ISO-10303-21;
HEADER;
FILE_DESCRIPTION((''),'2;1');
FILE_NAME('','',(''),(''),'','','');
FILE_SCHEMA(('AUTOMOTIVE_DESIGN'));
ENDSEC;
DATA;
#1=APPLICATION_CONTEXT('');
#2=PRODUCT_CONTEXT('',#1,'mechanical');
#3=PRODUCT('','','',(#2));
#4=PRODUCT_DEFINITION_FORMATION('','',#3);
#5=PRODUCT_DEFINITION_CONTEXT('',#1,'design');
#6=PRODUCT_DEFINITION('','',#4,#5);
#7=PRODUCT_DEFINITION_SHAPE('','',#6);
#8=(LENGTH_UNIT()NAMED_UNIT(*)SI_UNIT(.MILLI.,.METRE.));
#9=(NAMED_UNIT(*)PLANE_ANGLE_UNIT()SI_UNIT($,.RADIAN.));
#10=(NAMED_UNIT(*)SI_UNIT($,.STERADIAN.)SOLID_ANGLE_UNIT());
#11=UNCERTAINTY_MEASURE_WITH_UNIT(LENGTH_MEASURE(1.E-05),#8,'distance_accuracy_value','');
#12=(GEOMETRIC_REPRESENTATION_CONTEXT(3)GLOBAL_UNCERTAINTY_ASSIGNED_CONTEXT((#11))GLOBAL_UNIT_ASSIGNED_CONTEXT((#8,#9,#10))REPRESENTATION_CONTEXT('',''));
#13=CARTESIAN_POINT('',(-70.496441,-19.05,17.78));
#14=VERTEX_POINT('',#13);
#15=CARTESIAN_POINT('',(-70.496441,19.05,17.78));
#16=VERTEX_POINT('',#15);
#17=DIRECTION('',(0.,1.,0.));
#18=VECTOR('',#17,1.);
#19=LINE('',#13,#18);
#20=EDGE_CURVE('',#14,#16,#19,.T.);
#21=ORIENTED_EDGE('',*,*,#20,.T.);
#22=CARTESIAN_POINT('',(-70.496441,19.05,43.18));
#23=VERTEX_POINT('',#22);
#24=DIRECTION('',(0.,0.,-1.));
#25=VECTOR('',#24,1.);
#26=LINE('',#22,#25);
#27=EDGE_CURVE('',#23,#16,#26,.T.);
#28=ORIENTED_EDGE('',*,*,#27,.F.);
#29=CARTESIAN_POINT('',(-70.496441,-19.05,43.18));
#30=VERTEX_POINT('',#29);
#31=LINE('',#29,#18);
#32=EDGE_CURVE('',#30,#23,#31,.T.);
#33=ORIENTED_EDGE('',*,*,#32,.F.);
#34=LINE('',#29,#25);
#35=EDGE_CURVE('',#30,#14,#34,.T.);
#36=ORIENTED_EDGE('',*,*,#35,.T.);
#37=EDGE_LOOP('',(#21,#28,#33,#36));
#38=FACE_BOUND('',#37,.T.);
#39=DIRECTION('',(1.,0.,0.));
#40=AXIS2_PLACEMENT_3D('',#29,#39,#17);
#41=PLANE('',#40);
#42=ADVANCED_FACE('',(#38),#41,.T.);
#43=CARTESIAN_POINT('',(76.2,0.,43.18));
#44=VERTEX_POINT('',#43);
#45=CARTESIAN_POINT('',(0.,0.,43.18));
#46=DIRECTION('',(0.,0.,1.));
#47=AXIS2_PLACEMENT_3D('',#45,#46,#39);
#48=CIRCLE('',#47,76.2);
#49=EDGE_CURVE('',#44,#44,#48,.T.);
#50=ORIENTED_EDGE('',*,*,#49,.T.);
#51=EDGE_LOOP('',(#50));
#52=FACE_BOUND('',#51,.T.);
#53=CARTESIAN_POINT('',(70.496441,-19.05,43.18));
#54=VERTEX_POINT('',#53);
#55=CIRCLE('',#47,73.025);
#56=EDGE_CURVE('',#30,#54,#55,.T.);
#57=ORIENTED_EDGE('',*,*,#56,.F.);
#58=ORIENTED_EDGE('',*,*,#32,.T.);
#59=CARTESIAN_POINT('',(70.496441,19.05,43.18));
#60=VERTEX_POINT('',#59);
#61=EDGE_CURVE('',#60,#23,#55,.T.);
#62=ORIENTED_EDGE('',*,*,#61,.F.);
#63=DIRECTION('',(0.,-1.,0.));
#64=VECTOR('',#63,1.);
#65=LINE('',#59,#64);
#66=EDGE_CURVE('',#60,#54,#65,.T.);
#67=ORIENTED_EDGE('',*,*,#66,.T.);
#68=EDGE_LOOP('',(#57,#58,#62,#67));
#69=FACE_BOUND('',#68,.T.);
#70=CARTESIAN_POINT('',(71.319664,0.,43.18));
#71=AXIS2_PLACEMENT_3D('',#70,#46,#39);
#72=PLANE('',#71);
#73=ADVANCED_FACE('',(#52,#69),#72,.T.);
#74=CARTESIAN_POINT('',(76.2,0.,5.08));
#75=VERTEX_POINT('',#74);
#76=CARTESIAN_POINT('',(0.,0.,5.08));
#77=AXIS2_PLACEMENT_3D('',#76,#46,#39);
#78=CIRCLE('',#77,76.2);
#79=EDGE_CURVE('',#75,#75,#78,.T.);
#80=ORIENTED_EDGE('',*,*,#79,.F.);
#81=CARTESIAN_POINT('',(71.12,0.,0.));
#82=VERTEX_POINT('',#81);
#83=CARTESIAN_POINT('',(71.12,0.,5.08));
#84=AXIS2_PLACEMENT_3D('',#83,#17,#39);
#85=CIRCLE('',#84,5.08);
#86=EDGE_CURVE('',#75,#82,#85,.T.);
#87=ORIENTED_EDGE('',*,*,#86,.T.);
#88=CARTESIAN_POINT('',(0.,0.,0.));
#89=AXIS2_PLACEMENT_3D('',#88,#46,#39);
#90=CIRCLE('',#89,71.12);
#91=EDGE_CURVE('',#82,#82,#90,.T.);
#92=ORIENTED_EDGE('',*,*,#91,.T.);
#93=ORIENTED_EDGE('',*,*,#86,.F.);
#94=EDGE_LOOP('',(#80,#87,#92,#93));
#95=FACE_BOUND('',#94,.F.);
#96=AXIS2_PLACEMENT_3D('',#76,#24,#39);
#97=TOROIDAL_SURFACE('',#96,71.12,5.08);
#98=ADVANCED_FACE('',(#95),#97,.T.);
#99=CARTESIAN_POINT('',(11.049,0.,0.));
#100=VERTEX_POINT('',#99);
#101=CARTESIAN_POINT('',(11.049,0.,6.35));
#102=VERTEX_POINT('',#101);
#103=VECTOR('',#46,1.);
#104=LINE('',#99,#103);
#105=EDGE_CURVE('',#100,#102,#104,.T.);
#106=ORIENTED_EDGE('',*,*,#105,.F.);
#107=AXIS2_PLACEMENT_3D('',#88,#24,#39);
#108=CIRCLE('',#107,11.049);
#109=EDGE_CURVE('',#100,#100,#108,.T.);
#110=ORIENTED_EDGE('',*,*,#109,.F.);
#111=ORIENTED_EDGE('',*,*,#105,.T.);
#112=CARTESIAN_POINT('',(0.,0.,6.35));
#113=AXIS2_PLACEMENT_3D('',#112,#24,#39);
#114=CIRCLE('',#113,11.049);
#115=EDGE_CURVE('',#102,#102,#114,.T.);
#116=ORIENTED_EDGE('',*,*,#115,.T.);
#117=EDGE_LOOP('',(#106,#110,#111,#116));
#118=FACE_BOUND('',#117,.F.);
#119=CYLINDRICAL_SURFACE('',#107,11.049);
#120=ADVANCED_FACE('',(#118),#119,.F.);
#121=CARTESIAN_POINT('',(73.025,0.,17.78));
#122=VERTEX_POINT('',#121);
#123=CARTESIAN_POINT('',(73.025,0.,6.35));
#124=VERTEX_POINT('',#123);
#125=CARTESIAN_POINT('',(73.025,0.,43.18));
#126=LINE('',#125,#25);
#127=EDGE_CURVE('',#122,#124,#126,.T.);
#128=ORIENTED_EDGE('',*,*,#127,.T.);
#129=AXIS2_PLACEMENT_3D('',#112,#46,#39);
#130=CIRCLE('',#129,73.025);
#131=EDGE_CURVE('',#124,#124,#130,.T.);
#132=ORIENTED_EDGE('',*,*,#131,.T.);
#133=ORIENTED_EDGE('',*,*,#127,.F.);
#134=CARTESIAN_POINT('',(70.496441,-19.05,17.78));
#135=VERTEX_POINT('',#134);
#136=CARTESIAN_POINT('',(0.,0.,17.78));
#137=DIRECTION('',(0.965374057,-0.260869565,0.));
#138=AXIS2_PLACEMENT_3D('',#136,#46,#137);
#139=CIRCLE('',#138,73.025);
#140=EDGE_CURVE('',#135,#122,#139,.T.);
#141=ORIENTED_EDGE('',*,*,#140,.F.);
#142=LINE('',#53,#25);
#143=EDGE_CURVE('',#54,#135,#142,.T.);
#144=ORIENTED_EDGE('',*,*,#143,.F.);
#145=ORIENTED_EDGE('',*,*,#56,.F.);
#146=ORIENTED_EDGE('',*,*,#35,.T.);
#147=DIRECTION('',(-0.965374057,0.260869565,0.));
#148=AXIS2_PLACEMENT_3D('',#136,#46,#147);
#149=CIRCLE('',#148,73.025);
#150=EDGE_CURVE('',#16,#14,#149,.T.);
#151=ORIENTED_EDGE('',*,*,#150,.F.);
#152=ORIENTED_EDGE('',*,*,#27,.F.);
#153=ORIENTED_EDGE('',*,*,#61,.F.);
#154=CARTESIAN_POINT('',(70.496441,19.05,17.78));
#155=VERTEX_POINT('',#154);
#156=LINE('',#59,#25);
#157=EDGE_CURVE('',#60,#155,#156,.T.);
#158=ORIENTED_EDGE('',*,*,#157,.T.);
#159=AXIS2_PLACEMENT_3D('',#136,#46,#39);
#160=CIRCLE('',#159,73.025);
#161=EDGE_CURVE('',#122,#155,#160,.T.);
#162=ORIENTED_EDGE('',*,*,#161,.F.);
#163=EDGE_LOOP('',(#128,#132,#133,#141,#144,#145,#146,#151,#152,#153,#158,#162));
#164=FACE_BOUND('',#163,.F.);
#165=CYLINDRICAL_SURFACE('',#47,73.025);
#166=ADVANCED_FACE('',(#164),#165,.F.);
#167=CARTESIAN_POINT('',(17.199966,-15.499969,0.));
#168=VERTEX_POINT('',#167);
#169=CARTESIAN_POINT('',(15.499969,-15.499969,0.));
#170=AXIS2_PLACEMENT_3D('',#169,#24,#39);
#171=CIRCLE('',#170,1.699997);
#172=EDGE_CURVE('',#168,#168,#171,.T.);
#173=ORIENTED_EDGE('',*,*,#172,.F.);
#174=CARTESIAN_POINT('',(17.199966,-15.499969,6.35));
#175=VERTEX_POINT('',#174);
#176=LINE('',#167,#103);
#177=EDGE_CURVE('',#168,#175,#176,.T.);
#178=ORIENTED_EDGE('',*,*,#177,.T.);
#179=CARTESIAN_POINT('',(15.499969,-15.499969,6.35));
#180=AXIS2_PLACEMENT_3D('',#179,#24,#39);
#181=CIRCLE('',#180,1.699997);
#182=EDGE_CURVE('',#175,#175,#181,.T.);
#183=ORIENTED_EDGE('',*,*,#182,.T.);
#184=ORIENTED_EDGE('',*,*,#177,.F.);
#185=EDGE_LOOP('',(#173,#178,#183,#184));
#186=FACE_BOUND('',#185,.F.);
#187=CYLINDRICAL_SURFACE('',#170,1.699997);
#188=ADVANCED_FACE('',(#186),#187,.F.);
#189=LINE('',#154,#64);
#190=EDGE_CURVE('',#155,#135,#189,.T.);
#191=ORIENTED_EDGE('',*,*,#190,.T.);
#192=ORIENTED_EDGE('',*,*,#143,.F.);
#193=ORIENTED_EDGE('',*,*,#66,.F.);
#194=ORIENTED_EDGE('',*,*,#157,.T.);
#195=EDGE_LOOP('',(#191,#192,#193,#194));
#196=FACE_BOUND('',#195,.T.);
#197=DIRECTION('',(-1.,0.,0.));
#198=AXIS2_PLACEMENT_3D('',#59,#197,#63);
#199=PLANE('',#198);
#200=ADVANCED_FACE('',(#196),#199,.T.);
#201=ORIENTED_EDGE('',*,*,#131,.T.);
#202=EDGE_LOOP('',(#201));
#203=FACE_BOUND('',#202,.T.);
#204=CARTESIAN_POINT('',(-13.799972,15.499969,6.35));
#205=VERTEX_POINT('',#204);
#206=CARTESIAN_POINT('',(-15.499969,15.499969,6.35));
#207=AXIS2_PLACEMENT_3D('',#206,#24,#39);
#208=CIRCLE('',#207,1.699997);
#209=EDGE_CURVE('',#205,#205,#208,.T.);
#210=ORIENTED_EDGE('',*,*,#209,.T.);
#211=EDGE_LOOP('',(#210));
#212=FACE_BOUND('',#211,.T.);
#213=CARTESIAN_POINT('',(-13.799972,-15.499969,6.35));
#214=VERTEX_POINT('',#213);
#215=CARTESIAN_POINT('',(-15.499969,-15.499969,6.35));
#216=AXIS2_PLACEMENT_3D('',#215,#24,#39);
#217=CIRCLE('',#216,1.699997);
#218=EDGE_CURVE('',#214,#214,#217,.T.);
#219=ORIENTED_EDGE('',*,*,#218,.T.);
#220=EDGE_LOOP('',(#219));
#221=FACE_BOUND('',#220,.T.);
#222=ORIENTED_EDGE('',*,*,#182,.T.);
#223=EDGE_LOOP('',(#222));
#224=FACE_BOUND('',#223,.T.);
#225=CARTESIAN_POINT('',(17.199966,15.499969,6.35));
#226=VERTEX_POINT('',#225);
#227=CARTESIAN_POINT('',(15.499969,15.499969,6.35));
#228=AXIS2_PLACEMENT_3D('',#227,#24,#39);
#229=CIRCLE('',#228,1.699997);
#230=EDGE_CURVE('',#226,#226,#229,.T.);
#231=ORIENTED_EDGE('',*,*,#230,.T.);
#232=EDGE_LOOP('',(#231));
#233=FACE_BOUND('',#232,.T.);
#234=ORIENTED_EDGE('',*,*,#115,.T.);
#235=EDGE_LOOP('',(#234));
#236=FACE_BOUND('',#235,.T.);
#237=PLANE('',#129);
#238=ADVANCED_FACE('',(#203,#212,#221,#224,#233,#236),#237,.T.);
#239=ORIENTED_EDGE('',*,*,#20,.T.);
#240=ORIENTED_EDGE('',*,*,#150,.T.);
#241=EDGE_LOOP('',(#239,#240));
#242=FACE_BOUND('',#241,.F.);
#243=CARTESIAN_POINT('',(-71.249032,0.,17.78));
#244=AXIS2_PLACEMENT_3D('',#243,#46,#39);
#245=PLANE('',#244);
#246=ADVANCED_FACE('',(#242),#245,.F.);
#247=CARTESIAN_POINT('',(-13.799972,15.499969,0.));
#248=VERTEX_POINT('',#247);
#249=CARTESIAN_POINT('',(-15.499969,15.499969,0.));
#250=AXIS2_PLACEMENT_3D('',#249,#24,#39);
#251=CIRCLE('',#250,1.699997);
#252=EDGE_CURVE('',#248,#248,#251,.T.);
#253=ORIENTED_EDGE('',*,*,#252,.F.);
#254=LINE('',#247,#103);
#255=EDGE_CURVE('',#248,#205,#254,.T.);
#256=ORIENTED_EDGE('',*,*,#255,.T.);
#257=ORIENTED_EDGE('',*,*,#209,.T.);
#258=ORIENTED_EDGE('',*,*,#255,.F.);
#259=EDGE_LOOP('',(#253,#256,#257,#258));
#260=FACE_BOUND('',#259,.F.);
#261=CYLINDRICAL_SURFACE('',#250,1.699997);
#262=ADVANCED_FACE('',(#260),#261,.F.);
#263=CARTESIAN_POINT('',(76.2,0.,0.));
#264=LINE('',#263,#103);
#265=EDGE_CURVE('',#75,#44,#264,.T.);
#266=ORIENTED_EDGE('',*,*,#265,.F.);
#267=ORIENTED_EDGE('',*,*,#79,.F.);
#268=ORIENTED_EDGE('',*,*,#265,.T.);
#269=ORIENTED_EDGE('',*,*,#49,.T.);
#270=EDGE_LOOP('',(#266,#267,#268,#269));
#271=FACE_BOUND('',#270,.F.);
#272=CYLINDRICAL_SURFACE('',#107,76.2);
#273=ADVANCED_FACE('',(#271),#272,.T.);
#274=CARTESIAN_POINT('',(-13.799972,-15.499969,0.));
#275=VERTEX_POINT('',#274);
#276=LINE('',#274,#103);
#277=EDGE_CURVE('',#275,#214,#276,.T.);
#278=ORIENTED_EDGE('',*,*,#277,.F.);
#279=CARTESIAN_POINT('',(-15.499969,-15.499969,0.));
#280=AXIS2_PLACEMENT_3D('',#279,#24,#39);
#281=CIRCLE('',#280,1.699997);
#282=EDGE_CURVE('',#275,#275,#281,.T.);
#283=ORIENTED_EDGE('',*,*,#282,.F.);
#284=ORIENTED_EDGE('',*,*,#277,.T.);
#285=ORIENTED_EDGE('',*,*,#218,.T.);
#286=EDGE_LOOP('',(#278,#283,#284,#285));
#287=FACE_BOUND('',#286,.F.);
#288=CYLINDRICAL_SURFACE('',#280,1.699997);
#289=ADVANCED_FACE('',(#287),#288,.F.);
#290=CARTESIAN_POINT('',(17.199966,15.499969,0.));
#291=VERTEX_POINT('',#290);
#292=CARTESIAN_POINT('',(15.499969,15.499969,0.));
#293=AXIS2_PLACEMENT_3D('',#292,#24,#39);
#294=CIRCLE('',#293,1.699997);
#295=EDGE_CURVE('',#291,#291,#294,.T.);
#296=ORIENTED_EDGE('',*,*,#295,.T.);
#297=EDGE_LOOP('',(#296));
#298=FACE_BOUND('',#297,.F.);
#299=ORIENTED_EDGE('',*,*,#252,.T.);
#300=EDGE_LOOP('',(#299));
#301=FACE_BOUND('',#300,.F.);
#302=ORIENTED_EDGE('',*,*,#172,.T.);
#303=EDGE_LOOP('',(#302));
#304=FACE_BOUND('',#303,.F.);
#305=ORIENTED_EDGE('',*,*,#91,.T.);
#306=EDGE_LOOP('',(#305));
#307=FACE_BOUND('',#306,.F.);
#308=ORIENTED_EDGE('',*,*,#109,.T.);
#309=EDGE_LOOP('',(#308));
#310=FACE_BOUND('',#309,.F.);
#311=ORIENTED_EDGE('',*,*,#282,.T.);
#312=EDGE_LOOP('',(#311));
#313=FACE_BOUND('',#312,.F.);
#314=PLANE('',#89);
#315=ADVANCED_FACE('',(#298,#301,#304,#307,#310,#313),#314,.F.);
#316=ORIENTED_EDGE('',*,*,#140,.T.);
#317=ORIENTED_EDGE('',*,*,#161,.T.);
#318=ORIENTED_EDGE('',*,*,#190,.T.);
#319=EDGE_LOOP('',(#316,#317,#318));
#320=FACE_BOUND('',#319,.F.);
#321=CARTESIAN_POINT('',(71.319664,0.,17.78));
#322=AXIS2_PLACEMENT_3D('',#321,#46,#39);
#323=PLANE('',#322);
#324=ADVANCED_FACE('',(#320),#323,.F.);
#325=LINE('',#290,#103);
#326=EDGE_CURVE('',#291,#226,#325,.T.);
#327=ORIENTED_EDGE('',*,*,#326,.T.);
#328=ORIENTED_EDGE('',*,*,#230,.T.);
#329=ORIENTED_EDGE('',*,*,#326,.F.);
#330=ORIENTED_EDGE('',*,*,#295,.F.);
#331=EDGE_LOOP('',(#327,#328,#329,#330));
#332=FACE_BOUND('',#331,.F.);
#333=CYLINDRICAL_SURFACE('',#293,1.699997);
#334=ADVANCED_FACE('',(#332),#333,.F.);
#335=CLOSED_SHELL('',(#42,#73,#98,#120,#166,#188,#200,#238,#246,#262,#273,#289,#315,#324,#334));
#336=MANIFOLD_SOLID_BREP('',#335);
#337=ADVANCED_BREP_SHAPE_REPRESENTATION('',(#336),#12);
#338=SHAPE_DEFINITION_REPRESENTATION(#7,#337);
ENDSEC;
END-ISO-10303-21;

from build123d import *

# Parameters (mm, degrees)
F0_R      = 76.2
F1_DEPTH  = 43.18
F2_R      = 73.025
F3_DEPTH  = 36.83
F4_R      = 11.049
F5_DEPTH  = 25.4
F6_R      = 1.6999966
F7_DEPTH  = 43.181
F8_R      = 5.08
F10_DEPTH = 25.4


with BuildPart() as f1:
    # F0 (on Top) → F1 (new body)
    with BuildSketch(Plane.XY):
        Circle(F0_R)
    extrude(amount=F1_DEPTH)

    # F2 (on face) → F3 (cut)
    with BuildSketch(Plane.XY.offset(43.18)):
        Circle(F2_R)
    extrude(amount=-F3_DEPTH, mode=Mode.SUBTRACT)

    # F4 (on face) → F5 (cut)
    with BuildSketch(Plane(origin=(0, 0, 0), x_dir=(1, 0, 0), z_dir=(0, 0, -1))):
        Circle(F4_R)
    extrude(amount=-F5_DEPTH, mode=Mode.SUBTRACT)

    # F6 (on face) → F7 (cut, through all)
    with BuildSketch(Plane(origin=(0, 0, 0), x_dir=(1, 0, 0), z_dir=(0, 0, -1))):
        with Locations((15.499969, 15.499969)):
            Circle(F6_R)
        with Locations((15.499969, -15.499969)):
            Circle(F6_R)
        with Locations((-15.499969, -15.499969)):
            Circle(F6_R)
        with Locations((-15.499969, 15.499969)):
            Circle(F6_R)
    extrude(amount=-F7_DEPTH, mode=Mode.SUBTRACT)

    # F8
    f8_edges = [f1.edges().sort_by_distance(p)[0] for p in [
        (-76.2, 0, 0),
    ]]
    fillet(f8_edges, radius=F8_R)

    # F9 (on face) → F10 (join)
    with BuildSketch(Plane.XY.offset(43.18)):
        with BuildLine():
            Line((-70.496440513, 0), (-70.496440513, 19.05))
            ThreePointArc((-70.496440513, 19.05), (-73.025, 0), (-70.496440513, -19.05))
            Line((-70.496440513, -19.05), (-70.496440513, 0))
        make_face()
        with BuildLine():
            ThreePointArc((73.025, 0), (72.3901001293, 9.6085393411), (70.496440513, 19.05))
            Line((70.496440513, 19.05), (70.496440513, 0))
            Line((70.496440513, 0), (70.496440513, -19.05))
            ThreePointArc((70.496440513, -19.05), (72.3901001293, -9.6085393411), (73.025, 0))
        make_face()
    extrude(amount=-F10_DEPTH)


solid = f1.part
